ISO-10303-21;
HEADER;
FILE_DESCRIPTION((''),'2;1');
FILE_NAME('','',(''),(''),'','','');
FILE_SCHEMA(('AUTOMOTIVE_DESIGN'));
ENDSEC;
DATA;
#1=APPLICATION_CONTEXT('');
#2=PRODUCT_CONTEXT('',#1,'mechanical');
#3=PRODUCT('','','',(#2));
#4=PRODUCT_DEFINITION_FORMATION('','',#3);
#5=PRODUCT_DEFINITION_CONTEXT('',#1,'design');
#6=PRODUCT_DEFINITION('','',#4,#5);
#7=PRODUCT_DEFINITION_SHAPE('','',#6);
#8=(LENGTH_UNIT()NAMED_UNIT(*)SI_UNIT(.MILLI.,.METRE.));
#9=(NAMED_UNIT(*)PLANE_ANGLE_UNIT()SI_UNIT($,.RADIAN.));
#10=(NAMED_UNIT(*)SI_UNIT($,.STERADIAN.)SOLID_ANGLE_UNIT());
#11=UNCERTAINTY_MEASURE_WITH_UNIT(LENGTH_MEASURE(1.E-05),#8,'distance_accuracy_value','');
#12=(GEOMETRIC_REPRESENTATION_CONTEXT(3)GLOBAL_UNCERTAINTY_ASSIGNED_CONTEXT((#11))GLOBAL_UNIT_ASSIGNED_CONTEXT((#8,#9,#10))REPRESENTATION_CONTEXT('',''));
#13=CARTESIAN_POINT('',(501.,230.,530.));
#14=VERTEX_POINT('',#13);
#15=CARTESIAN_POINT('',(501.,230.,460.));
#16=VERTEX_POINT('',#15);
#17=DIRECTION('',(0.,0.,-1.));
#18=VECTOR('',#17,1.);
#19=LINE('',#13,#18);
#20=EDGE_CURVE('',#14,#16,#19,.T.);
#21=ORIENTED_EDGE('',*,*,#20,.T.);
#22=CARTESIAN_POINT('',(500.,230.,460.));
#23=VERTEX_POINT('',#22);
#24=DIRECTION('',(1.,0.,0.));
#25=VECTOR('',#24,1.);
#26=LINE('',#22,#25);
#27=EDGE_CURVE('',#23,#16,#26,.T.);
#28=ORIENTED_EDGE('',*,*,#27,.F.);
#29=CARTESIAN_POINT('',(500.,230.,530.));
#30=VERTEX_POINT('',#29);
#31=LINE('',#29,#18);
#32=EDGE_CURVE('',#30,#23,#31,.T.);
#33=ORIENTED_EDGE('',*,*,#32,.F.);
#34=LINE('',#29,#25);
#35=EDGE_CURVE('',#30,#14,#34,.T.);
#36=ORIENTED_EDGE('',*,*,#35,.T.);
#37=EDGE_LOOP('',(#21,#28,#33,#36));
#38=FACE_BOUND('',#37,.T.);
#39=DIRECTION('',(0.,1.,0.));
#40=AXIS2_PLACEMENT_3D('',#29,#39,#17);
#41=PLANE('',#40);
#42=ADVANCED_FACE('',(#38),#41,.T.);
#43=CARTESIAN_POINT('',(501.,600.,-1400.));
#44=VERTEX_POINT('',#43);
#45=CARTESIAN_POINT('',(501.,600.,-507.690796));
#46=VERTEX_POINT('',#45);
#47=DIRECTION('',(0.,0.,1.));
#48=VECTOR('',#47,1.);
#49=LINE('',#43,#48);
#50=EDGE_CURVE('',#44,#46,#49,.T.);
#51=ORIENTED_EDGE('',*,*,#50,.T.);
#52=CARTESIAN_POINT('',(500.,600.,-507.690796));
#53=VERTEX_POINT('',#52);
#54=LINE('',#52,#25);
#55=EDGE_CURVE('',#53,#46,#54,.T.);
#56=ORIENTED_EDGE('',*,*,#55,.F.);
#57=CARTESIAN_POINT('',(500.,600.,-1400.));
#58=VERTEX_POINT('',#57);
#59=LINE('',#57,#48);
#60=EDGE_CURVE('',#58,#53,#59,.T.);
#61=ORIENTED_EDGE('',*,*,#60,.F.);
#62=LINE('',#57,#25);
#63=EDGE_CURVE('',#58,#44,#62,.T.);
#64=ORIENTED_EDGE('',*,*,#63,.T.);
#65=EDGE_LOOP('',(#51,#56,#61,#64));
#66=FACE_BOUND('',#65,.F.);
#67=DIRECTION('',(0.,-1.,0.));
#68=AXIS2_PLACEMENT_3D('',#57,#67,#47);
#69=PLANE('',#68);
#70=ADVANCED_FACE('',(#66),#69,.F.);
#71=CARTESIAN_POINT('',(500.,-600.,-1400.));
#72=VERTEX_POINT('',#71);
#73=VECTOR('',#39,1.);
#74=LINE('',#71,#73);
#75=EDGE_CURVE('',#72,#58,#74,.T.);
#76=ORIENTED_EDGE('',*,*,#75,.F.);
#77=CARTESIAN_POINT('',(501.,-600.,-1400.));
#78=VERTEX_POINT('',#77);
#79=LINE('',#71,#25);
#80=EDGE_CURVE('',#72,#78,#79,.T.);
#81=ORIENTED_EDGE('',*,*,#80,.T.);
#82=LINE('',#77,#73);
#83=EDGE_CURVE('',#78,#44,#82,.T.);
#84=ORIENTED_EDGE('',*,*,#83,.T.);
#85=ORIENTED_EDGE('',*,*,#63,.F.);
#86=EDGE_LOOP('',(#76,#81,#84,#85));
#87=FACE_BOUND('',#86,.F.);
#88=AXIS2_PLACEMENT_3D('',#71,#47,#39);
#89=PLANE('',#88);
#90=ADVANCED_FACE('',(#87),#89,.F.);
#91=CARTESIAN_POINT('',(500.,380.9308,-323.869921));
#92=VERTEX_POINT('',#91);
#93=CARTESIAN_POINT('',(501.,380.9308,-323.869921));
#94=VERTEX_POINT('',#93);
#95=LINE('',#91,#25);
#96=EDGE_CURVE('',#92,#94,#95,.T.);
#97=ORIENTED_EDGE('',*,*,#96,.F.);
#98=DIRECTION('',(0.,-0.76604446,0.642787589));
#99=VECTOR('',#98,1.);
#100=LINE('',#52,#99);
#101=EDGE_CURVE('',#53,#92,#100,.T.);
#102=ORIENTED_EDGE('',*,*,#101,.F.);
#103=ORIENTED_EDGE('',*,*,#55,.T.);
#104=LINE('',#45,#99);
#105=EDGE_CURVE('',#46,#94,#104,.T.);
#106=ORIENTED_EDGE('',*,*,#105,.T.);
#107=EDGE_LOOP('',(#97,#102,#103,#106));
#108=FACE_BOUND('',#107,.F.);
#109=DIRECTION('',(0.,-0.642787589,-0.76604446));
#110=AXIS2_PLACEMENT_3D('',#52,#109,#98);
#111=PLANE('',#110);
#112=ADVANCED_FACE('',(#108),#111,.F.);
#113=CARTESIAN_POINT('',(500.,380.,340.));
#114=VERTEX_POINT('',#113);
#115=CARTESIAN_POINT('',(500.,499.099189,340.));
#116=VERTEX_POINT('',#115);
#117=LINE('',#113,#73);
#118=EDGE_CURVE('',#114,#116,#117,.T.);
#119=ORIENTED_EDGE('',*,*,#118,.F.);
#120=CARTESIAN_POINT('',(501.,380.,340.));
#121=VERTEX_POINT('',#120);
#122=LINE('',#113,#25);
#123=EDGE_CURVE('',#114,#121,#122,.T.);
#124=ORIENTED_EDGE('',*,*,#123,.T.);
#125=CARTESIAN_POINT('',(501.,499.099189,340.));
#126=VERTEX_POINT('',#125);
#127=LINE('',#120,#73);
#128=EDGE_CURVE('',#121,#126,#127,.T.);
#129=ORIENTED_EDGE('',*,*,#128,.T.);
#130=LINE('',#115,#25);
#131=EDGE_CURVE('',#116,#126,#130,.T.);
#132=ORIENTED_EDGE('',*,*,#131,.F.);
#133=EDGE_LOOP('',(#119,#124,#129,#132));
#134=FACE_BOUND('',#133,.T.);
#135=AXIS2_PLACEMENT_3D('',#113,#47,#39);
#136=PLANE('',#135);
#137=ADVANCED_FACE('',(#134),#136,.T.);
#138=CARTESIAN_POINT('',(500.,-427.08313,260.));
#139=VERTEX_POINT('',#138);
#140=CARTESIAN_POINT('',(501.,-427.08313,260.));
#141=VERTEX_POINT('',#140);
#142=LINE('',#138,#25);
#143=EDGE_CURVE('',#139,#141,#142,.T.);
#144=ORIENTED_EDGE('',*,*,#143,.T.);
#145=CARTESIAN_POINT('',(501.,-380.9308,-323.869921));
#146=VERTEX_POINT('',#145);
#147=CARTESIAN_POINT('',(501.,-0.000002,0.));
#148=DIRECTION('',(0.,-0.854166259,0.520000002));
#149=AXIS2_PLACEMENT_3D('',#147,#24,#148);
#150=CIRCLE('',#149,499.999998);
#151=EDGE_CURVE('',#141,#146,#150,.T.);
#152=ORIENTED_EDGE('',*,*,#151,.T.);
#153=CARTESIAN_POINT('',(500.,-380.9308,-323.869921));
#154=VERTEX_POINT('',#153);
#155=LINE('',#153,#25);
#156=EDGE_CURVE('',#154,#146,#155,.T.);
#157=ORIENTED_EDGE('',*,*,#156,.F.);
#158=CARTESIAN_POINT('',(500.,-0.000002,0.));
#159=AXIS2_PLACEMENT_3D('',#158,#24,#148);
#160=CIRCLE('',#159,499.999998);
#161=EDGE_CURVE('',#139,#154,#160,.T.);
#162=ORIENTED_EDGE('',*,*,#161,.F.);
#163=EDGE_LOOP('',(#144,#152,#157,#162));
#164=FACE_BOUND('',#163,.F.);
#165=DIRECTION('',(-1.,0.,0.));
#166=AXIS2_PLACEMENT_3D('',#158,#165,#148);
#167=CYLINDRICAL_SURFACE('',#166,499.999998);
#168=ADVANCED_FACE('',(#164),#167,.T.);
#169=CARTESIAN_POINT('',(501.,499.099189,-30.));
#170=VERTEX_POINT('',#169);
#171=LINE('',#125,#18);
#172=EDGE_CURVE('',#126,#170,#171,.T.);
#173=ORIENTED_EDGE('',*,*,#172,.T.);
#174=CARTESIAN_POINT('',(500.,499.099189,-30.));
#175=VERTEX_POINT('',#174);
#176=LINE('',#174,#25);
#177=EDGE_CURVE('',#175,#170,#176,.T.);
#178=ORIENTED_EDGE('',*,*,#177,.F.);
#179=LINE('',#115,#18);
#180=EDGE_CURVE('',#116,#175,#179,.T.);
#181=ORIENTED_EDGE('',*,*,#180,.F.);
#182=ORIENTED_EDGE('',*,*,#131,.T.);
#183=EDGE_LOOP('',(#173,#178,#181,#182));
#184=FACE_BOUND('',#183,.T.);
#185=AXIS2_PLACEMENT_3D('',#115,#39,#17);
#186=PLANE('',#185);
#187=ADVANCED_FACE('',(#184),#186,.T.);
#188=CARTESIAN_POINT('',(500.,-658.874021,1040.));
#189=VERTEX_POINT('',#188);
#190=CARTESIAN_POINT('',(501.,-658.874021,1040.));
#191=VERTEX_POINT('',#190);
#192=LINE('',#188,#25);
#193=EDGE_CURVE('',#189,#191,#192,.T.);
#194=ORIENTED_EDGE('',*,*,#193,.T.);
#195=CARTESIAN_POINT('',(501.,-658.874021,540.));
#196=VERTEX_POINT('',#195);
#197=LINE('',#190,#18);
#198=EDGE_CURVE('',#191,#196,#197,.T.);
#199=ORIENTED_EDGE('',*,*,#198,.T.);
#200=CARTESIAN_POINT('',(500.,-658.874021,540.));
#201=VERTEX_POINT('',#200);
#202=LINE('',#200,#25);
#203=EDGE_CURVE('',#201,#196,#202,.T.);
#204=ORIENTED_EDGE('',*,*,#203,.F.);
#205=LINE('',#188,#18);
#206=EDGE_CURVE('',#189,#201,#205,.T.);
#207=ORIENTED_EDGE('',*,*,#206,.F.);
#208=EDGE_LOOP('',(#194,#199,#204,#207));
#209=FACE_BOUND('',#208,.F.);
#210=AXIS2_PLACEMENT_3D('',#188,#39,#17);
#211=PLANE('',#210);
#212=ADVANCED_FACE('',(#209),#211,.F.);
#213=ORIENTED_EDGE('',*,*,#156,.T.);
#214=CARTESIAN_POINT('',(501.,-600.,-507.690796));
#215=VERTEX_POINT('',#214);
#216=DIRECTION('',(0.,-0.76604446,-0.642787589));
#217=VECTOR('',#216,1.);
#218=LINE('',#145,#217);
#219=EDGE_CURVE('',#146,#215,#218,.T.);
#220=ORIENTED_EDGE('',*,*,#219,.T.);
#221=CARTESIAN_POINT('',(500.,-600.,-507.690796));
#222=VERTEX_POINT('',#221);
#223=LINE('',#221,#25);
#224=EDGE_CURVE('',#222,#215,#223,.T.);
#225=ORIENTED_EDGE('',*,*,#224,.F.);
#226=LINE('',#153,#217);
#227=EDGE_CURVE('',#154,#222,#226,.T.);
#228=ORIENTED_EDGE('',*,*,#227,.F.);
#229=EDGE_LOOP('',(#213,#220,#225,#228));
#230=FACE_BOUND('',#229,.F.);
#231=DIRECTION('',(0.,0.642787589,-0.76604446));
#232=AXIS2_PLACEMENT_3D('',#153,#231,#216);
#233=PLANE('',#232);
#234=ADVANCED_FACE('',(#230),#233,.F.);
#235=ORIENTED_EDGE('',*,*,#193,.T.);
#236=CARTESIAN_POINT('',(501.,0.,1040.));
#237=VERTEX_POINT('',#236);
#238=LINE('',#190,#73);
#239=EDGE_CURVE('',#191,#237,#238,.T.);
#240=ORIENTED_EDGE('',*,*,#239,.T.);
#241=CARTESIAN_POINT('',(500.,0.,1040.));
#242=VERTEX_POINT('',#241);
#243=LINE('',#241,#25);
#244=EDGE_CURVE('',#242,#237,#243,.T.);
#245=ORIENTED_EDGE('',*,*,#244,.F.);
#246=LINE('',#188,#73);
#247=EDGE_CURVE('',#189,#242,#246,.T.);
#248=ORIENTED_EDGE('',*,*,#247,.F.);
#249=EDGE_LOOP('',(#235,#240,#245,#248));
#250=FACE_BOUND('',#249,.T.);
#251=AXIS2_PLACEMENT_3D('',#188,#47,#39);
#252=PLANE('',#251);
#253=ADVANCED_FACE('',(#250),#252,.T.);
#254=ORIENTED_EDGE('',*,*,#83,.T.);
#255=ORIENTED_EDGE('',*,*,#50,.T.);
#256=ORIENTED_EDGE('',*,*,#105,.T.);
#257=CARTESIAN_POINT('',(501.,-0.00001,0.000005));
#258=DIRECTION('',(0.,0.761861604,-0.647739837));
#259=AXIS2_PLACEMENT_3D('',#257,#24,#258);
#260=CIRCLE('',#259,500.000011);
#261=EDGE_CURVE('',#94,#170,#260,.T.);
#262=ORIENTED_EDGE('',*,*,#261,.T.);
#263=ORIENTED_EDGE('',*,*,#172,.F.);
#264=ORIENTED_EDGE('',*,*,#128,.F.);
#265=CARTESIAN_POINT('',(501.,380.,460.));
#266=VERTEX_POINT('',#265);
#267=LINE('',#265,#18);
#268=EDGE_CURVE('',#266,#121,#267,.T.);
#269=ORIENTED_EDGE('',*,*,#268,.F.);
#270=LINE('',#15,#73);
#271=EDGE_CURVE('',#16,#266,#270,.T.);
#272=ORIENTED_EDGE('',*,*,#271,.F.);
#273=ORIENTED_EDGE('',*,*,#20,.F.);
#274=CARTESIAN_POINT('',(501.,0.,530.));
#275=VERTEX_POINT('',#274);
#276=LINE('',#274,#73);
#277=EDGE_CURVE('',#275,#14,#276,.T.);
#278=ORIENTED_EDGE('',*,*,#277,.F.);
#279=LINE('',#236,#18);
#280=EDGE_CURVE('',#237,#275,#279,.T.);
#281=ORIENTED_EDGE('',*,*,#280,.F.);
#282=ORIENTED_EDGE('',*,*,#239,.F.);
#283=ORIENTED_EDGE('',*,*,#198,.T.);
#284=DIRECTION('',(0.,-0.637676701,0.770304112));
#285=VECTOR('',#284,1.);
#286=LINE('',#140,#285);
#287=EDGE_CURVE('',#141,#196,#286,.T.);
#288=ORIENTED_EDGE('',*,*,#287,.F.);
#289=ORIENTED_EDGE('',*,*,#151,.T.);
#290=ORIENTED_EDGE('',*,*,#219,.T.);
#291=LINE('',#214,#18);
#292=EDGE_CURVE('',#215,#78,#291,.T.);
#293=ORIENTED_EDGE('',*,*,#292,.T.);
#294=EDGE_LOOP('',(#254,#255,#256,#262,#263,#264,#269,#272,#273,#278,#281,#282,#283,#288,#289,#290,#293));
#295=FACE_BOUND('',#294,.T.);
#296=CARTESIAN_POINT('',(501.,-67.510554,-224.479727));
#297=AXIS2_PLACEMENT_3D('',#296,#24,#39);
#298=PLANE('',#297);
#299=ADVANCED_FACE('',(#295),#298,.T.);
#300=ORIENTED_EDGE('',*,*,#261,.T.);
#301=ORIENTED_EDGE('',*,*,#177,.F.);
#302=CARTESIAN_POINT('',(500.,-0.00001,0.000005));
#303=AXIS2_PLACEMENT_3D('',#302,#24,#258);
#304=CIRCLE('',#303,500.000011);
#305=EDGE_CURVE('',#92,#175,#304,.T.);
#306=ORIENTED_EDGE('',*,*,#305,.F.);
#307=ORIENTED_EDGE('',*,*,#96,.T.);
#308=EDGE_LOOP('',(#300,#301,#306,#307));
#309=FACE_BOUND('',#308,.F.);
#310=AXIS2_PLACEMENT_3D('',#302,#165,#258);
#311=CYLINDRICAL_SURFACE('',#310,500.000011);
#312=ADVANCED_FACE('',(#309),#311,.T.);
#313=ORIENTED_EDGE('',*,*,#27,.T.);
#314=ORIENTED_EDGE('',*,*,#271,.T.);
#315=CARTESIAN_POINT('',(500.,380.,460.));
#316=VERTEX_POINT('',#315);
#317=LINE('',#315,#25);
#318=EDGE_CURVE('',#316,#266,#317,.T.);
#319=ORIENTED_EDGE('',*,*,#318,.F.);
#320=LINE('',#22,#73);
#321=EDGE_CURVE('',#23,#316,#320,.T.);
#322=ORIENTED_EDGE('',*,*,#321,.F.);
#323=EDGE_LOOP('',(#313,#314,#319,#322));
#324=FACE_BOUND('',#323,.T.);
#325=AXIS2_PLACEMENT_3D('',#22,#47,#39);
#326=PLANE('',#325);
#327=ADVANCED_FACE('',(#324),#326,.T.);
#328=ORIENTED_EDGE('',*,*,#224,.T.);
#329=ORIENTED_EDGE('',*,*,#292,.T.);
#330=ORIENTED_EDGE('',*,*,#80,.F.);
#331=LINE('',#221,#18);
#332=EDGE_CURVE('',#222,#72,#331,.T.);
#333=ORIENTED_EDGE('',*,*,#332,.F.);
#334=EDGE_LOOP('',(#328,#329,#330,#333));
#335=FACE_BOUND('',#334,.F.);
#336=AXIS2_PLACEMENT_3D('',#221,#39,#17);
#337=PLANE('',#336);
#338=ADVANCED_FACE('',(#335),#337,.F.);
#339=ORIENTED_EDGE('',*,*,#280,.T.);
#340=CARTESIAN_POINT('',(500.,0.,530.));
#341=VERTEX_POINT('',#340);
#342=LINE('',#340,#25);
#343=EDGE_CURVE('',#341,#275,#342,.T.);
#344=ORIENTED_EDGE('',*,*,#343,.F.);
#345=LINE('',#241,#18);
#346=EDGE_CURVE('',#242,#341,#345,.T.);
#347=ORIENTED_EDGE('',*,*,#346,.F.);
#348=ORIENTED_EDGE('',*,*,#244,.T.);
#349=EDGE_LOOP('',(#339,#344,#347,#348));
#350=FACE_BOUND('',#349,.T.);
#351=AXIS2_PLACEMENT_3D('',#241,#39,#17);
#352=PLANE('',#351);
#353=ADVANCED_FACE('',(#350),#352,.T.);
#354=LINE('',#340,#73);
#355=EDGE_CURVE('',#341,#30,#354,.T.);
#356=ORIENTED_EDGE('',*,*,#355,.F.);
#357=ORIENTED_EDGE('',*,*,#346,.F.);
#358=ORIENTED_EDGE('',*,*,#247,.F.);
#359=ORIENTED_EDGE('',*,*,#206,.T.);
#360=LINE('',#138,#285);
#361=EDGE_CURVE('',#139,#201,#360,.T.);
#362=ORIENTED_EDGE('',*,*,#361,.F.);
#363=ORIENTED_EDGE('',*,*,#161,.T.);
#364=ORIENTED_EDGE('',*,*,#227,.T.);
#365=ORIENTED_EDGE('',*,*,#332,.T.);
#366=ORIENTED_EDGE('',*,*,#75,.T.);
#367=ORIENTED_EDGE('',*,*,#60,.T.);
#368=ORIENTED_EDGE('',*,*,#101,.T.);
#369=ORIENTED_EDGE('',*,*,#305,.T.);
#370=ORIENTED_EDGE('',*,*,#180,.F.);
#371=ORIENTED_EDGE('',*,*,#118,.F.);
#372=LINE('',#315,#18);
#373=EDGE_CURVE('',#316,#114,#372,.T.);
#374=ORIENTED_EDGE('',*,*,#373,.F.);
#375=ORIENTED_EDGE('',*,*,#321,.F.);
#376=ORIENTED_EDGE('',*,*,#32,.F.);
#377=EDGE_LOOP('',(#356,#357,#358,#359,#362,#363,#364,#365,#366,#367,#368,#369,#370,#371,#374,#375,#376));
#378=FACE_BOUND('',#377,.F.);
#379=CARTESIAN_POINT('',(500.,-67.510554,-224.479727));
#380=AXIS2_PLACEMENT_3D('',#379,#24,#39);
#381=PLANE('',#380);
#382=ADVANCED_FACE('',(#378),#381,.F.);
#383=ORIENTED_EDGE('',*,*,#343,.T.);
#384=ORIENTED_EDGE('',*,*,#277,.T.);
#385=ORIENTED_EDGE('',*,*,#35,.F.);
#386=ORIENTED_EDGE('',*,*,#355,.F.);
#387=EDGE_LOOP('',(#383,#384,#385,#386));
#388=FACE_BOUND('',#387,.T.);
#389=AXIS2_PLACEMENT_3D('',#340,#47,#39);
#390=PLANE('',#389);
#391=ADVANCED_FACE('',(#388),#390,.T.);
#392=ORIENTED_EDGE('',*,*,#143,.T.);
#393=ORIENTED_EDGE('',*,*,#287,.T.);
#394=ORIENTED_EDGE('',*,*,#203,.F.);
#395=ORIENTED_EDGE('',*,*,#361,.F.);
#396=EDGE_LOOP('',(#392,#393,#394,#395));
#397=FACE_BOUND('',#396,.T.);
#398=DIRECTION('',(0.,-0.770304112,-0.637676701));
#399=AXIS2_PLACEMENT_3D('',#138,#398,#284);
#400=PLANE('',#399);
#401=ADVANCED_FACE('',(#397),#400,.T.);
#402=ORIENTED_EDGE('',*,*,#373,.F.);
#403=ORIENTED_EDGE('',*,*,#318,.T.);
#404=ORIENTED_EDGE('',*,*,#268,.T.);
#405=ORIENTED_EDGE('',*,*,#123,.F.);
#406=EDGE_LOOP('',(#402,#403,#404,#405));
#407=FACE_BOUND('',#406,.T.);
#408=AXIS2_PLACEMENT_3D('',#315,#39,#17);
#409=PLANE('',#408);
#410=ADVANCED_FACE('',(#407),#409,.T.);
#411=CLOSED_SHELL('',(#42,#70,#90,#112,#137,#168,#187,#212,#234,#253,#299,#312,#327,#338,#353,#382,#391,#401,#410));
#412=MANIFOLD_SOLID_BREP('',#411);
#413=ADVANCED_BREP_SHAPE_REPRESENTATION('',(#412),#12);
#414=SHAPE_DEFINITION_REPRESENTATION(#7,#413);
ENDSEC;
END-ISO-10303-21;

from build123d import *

# Parameters (mm, degrees)
PAD_DEPTH = 1


with BuildPart() as part:
    # Sketch → Pad (new body)
    with BuildSketch(Plane.YZ.offset(500)):
        with BuildLine():
            ThreePointArc((-427.08313, 260), (-498.445232, -39.399887), (-380.9308, -323.869921))
            Line((-380.9308, -323.869921), (-600, -507.690796))
            Line((-600, -507.690796), (-600, -1400))
            Line((-600, -1400), (600, -1400))
            Line((600, -1400), (600, -507.690796))
            Line((600, -507.690796), (380.9308, -323.869921))
            ThreePointArc((380.9308, -323.869921), (463.899857, -186.539332), (499.099189, -30))
            Line((499.099189, 340), (499.099189, -30))
            Line((380, 340), (499.099189, 340))
            Line((380, 460), (380, 340))
            Line((230, 460), (380, 460))
            Line((230, 530), (230, 460))
            Line((0, 530), (230, 530))
            Line((0, 1040), (0, 530))
            Line((-658.874021, 1040), (0, 1040))
            Line((-658.874021, 1040), (-658.874021, 540))
            Line((-427.08313, 260), (-658.874021, 540))
        make_face()
    extrude(amount=PAD_DEPTH)


solid = part.part
